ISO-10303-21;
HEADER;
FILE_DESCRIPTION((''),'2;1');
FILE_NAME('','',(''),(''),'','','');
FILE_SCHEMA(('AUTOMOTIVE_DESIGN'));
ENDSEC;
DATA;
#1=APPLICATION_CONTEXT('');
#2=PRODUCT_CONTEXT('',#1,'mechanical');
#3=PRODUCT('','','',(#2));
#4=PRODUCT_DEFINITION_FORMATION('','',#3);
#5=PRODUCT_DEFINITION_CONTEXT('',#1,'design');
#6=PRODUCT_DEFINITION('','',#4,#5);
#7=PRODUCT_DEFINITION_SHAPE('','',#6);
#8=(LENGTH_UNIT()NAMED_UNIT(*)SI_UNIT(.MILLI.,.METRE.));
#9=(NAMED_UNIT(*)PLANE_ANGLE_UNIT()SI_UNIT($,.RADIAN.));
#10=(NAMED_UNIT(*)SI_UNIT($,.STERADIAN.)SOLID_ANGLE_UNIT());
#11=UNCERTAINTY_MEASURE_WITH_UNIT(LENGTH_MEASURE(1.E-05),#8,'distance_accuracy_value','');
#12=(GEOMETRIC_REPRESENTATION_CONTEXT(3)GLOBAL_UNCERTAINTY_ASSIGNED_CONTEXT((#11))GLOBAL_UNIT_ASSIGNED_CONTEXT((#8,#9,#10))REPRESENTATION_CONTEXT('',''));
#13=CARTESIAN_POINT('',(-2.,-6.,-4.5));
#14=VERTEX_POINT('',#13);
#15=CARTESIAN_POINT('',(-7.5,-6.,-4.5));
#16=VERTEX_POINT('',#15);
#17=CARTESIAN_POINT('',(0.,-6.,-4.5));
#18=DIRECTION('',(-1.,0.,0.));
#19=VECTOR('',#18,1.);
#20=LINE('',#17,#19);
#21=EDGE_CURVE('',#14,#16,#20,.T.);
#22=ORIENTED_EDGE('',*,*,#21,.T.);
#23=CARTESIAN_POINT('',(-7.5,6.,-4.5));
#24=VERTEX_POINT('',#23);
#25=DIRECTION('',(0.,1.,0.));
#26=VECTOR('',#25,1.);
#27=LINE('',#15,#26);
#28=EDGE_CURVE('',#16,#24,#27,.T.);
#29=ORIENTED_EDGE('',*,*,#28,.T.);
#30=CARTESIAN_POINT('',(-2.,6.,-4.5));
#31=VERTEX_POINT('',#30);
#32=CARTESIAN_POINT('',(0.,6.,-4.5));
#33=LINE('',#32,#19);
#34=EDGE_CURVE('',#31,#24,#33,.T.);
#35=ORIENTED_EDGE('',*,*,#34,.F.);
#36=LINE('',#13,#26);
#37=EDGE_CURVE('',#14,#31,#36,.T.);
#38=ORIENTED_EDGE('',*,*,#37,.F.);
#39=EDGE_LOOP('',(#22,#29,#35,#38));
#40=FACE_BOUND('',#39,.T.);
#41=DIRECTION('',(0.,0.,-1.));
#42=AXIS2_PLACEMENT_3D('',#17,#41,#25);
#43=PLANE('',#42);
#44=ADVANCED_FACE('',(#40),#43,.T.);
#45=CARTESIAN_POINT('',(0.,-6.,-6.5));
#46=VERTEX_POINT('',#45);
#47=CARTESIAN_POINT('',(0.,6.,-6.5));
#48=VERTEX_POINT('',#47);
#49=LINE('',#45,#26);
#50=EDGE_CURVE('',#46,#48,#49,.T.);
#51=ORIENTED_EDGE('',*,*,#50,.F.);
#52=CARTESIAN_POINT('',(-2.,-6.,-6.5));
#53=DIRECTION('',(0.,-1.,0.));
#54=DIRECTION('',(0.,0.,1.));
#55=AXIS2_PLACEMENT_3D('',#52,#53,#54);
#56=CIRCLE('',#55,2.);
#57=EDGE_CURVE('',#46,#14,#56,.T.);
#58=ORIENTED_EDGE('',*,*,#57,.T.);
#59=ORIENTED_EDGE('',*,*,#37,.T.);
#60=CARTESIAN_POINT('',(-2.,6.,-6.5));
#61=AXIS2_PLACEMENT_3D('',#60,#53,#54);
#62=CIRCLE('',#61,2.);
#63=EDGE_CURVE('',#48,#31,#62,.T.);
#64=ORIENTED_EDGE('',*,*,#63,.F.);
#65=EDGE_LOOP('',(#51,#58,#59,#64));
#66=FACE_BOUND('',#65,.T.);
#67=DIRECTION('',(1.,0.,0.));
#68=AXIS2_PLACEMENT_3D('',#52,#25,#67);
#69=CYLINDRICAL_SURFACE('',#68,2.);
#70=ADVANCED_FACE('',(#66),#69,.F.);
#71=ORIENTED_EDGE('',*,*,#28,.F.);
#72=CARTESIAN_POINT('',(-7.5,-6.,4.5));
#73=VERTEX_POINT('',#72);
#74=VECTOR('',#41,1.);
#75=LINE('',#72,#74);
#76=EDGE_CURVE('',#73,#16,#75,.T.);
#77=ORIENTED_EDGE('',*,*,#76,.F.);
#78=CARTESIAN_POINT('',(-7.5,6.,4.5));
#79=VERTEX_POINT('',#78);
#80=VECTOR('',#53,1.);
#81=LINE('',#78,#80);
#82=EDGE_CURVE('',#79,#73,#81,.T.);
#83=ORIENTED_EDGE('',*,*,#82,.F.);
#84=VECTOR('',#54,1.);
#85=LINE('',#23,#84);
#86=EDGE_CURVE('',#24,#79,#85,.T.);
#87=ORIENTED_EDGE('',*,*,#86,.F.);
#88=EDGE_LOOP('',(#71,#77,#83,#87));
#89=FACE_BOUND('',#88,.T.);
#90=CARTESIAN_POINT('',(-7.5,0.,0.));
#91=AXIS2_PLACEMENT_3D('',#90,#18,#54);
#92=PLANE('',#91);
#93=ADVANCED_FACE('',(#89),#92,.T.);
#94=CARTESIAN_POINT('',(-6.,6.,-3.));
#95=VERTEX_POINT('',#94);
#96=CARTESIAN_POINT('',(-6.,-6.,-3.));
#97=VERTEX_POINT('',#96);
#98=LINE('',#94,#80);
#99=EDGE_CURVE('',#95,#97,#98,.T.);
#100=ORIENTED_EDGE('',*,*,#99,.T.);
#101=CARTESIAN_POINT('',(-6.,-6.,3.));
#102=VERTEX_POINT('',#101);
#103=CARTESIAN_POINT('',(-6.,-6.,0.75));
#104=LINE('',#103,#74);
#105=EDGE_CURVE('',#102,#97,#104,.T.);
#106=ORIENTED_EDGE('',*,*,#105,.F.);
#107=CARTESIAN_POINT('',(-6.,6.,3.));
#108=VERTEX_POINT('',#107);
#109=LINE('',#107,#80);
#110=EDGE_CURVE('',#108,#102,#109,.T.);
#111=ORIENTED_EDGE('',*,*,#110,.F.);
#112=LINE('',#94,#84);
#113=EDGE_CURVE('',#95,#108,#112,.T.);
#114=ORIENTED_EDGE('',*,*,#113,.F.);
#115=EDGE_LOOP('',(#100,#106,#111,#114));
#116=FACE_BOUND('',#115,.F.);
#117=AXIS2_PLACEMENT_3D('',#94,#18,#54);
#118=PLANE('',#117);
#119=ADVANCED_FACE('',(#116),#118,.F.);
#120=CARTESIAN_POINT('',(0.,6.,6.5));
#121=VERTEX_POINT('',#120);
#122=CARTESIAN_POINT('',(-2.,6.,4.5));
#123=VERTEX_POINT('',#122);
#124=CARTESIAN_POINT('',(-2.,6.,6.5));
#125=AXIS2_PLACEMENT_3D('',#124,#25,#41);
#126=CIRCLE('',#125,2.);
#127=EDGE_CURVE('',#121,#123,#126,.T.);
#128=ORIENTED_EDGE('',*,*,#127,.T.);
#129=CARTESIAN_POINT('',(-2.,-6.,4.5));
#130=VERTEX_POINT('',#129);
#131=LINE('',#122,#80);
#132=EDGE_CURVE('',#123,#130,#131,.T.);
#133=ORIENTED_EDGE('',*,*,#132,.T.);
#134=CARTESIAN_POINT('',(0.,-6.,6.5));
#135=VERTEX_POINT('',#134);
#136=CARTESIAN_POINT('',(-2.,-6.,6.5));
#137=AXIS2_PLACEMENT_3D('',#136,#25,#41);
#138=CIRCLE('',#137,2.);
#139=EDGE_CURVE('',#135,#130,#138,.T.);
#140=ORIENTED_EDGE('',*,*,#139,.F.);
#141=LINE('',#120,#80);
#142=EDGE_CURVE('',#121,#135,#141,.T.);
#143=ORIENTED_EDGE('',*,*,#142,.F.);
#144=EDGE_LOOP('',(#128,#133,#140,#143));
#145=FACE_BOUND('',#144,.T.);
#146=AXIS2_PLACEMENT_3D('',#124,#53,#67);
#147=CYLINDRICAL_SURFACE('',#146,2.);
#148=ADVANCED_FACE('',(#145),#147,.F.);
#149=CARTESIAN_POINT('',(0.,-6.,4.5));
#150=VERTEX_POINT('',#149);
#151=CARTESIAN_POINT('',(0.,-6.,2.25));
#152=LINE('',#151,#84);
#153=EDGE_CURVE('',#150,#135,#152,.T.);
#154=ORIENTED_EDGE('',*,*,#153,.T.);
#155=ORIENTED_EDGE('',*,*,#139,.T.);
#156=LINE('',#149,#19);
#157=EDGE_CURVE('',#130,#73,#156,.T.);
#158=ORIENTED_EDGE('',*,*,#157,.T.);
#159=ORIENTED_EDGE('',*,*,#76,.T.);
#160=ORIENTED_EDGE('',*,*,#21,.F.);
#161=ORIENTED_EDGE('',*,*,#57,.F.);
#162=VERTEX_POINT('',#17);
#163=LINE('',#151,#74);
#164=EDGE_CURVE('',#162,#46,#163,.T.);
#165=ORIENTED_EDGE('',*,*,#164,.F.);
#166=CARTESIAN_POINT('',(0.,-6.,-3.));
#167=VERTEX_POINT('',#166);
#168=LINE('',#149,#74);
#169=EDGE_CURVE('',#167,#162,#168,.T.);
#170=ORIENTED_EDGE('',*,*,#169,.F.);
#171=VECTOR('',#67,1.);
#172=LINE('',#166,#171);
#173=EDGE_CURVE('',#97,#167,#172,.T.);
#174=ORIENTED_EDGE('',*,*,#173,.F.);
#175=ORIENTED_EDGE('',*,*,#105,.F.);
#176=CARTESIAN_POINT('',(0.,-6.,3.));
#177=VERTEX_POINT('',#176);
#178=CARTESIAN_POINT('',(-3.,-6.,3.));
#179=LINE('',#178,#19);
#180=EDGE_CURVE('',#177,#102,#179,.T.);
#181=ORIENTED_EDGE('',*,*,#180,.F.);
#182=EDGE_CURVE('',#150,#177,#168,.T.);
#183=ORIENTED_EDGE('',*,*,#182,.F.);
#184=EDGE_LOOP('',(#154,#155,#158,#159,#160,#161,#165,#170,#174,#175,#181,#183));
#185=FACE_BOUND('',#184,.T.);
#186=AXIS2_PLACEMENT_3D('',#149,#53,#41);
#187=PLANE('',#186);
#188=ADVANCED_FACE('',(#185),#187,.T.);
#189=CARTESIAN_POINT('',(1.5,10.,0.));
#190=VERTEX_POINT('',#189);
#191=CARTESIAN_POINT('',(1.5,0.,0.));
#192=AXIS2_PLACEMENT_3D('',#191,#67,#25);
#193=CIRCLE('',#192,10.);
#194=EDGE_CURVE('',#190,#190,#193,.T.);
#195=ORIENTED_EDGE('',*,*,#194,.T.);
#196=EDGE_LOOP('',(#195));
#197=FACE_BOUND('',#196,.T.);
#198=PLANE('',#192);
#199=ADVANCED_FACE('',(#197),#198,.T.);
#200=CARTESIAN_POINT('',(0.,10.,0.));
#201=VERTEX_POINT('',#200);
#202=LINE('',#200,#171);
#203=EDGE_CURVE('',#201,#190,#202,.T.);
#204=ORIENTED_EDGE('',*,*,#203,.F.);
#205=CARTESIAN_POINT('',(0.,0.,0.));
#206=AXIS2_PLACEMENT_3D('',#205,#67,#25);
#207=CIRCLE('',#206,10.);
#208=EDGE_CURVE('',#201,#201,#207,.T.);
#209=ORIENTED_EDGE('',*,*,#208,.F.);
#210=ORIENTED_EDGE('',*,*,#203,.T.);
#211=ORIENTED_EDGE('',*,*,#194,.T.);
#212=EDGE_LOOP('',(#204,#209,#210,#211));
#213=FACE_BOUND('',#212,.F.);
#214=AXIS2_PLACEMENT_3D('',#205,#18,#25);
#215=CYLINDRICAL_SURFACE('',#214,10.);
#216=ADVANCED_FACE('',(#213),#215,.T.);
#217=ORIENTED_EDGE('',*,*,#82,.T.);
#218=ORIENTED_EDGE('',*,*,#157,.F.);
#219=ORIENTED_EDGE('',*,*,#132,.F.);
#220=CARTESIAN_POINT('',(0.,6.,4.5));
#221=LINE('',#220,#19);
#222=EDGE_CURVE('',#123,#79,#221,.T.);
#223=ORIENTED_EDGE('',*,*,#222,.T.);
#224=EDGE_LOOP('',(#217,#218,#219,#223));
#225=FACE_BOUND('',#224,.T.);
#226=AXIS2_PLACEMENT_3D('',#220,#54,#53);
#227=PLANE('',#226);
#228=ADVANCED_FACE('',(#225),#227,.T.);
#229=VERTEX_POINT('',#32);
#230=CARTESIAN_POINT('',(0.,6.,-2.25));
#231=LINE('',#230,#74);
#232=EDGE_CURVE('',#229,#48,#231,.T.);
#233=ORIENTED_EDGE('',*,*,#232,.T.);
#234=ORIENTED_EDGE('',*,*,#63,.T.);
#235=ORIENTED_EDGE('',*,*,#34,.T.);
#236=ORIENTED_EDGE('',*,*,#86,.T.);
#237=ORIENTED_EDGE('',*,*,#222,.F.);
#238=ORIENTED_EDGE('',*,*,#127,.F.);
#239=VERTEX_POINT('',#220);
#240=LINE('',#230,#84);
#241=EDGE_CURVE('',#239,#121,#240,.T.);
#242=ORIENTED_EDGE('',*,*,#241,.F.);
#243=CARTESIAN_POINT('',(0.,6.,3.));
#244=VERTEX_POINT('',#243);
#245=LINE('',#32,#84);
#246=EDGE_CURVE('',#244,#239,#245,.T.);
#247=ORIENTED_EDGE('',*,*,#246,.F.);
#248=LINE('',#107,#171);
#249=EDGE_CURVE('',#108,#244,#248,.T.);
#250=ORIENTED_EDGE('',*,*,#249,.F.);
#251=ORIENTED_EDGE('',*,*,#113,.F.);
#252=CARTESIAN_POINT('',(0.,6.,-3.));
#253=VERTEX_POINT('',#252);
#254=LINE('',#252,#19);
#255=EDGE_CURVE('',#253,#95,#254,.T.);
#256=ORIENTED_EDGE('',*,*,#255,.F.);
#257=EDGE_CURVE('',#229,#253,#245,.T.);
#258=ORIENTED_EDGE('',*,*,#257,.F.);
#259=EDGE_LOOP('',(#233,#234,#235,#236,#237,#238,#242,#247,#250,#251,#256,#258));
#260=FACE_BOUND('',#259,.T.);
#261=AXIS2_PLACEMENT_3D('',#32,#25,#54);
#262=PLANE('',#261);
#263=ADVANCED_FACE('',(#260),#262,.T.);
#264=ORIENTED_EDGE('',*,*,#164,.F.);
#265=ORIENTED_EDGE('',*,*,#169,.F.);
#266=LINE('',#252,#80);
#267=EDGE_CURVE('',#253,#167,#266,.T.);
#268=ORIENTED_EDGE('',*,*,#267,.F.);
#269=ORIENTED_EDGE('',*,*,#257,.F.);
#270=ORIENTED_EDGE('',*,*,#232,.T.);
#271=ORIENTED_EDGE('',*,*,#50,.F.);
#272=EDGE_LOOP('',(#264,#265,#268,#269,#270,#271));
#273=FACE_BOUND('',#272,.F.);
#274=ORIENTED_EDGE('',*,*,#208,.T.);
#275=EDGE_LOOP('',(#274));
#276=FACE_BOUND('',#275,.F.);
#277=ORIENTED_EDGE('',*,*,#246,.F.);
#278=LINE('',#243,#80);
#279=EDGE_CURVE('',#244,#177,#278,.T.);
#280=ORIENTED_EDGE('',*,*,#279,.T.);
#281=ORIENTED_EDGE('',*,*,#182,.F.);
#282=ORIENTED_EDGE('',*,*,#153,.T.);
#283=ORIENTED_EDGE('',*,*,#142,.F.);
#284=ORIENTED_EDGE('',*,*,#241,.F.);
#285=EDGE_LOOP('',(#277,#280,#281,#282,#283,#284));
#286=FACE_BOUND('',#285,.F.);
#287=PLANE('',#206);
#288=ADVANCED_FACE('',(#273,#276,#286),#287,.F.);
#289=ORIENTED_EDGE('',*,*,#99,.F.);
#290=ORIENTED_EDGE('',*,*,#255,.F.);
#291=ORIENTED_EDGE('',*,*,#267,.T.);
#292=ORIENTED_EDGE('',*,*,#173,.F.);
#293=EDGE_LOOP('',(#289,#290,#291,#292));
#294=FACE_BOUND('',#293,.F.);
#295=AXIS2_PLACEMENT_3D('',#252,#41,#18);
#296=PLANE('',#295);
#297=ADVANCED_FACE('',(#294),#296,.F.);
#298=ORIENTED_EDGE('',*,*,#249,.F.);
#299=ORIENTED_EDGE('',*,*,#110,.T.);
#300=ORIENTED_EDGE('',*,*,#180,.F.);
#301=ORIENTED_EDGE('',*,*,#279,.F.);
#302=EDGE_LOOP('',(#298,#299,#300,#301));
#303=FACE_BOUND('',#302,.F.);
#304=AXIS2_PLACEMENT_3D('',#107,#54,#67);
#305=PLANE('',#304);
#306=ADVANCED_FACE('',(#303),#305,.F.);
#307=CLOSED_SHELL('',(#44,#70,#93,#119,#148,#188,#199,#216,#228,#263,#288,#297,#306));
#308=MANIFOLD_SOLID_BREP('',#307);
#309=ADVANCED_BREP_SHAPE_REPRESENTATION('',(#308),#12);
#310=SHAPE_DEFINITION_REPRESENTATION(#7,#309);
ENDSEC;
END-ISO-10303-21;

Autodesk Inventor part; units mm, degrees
ref_plane "YZ Plane" through (0, 0, 0) normal (1, 0, 0) x (0, 1, 0)
ref_plane "XZ Plane" through (0, 0, 0) normal (0, 1, 0) x (-1, 0, 0)
ref_plane "XY Plane" through (0, 0, 0) normal (0, 0, 1) x (1, 0, 0)
sketch "Sketch1" plane through (0, 0, 0) normal (1, 0, 0) x (0, 1, 0)
  circle A0 centre (0, 0) radius 10
  dimension "d0" = 20
extrude "Extrusion1" add sketch "Sketch1" along normal blind 1.5
sketch "Sketch2" plane through (0, 0, 0) normal (-1, 0, 0) x (0, 0, 1)
  line L0 (4.5, -6) -> (-4.5, -6)
  line L1 (-4.5, -6) -> (-4.5, 6)
  line L2 (-4.5, 6) -> (4.5, 6)
  line L3 (4.5, 6) -> (4.5, -6)
  line L4 (4.5, -6) -> (-4.5, 6) construction
  line L5 (-4.5, -6) -> (4.5, 6) construction
  point P0 (0, 0)
  dimension "d3" = 9
  dimension "d4" = 12
extrude "Extrusion2" add sketch "Sketch2" along normal blind 7.5
sketch "Sketch3" plane through (0, 6, 4.5) normal (0, 1, 0) x (1, 0, 0)
  line L0 (-6, 1.5) -> (0, 1.5)
  line L1 (0, 1.5) -> (0, 7.5)
  line L2 (0, 7.5) -> (-6, 7.5)
  line L3 (-6, 7.5) -> (-6, 1.5)
  line L4 (-6, 1.5) -> (0, 7.5) construction
  line L5 (0, 1.5) -> (-6, 7.5) construction
  line L6 (0, 4.5) -> (-7.5, 4.5) construction
  line L7 (-7.5, 9) -> (-7.5, 0) construction
  line L8 (0, 14.5) -> (0, -5.5) construction
  point P0 (-3, 4.5)
  point P1 (-3, 4.5)
  dimension "d7" = 0
  dimension "d8" = 6
  dimension "d9" = 6
extrude "Extrusion3" cut sketch "Sketch3" against normal through all
fillet "Fillet1" radius 2 2 edges at (0, 0, -4.5) (0, 0, 4.5)
properties part number "foot_holder"
